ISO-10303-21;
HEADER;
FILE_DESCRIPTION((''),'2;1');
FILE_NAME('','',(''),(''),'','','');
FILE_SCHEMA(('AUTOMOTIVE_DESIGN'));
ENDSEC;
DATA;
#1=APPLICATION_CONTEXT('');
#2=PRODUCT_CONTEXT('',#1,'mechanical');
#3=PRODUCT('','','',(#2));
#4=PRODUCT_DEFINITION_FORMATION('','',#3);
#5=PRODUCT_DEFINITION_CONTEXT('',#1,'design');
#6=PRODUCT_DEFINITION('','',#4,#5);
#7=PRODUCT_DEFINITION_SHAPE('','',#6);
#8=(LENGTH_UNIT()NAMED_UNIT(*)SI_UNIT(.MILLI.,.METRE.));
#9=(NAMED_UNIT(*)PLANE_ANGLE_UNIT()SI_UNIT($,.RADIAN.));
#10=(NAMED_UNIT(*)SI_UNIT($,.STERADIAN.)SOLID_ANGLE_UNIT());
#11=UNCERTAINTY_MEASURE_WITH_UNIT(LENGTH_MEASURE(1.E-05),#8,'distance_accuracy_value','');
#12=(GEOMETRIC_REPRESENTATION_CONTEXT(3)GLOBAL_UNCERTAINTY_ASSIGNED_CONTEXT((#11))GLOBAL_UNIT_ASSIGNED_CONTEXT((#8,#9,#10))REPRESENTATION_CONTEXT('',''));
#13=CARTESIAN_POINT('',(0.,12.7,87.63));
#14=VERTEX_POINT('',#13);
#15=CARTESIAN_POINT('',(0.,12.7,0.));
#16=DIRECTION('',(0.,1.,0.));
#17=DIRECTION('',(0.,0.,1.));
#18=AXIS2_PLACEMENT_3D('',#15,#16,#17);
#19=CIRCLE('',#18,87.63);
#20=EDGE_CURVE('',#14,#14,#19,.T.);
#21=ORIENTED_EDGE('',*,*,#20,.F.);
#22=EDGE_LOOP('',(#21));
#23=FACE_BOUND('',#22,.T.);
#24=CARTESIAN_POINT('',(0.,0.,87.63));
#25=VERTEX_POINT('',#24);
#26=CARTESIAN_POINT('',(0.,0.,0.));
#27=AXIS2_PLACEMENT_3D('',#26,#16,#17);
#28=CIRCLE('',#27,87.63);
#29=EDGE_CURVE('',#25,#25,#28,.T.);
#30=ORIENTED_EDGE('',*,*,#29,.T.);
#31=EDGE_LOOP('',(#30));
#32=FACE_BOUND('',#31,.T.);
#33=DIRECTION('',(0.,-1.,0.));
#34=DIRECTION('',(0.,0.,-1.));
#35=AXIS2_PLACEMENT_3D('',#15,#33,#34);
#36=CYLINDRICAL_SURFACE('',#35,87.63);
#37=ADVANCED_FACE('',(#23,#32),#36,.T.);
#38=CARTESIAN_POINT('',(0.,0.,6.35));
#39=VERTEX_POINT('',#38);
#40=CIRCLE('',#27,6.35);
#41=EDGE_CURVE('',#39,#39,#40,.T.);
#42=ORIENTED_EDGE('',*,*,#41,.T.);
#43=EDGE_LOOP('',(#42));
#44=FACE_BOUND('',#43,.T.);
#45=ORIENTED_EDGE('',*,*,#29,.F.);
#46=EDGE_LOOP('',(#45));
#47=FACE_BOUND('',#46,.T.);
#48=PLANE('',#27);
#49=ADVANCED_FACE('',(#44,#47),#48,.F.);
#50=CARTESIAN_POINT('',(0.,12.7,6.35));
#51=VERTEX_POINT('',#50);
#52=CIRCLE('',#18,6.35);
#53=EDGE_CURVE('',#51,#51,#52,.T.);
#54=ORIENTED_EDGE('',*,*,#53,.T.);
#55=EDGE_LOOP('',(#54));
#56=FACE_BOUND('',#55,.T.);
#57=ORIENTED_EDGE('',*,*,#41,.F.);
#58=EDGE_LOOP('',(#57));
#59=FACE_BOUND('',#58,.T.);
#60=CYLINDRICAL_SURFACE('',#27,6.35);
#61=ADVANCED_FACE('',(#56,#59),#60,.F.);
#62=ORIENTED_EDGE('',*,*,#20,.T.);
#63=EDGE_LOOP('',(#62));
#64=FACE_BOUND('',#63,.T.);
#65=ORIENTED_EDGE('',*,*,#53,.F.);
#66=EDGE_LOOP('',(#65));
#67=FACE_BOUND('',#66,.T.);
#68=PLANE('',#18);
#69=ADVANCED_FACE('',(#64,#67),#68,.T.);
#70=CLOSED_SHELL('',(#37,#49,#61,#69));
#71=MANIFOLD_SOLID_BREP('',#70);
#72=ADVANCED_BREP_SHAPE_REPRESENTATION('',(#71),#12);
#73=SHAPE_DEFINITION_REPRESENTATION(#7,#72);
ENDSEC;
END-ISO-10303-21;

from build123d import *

# Parameters (mm, degrees)
SKETCH1_R           = 87.63
BOSS_EXTRUDE1_DEPTH = 12.7
SKETCH2_R           = 6.35
CUT_EXTRUDE1_DEPTH  = 12.7


with BuildPart() as part:
    # Sketch1 → Boss-Extrude1 (new body)
    with BuildSketch(Plane(origin=(0, 0, 0), x_dir=(1, 0, 0), z_dir=(0, 1, 0))):
        Circle(SKETCH1_R)
    extrude(amount=BOSS_EXTRUDE1_DEPTH)

    # Sketch2 → Cut-Extrude1 (cut)
    with BuildSketch(Plane(origin=(0, 12.7, 0), x_dir=(1, 0, 0), z_dir=(0, 1, 0))):
        Circle(SKETCH2_R)
    extrude(amount=-CUT_EXTRUDE1_DEPTH, mode=Mode.SUBTRACT)


solid = part.part
